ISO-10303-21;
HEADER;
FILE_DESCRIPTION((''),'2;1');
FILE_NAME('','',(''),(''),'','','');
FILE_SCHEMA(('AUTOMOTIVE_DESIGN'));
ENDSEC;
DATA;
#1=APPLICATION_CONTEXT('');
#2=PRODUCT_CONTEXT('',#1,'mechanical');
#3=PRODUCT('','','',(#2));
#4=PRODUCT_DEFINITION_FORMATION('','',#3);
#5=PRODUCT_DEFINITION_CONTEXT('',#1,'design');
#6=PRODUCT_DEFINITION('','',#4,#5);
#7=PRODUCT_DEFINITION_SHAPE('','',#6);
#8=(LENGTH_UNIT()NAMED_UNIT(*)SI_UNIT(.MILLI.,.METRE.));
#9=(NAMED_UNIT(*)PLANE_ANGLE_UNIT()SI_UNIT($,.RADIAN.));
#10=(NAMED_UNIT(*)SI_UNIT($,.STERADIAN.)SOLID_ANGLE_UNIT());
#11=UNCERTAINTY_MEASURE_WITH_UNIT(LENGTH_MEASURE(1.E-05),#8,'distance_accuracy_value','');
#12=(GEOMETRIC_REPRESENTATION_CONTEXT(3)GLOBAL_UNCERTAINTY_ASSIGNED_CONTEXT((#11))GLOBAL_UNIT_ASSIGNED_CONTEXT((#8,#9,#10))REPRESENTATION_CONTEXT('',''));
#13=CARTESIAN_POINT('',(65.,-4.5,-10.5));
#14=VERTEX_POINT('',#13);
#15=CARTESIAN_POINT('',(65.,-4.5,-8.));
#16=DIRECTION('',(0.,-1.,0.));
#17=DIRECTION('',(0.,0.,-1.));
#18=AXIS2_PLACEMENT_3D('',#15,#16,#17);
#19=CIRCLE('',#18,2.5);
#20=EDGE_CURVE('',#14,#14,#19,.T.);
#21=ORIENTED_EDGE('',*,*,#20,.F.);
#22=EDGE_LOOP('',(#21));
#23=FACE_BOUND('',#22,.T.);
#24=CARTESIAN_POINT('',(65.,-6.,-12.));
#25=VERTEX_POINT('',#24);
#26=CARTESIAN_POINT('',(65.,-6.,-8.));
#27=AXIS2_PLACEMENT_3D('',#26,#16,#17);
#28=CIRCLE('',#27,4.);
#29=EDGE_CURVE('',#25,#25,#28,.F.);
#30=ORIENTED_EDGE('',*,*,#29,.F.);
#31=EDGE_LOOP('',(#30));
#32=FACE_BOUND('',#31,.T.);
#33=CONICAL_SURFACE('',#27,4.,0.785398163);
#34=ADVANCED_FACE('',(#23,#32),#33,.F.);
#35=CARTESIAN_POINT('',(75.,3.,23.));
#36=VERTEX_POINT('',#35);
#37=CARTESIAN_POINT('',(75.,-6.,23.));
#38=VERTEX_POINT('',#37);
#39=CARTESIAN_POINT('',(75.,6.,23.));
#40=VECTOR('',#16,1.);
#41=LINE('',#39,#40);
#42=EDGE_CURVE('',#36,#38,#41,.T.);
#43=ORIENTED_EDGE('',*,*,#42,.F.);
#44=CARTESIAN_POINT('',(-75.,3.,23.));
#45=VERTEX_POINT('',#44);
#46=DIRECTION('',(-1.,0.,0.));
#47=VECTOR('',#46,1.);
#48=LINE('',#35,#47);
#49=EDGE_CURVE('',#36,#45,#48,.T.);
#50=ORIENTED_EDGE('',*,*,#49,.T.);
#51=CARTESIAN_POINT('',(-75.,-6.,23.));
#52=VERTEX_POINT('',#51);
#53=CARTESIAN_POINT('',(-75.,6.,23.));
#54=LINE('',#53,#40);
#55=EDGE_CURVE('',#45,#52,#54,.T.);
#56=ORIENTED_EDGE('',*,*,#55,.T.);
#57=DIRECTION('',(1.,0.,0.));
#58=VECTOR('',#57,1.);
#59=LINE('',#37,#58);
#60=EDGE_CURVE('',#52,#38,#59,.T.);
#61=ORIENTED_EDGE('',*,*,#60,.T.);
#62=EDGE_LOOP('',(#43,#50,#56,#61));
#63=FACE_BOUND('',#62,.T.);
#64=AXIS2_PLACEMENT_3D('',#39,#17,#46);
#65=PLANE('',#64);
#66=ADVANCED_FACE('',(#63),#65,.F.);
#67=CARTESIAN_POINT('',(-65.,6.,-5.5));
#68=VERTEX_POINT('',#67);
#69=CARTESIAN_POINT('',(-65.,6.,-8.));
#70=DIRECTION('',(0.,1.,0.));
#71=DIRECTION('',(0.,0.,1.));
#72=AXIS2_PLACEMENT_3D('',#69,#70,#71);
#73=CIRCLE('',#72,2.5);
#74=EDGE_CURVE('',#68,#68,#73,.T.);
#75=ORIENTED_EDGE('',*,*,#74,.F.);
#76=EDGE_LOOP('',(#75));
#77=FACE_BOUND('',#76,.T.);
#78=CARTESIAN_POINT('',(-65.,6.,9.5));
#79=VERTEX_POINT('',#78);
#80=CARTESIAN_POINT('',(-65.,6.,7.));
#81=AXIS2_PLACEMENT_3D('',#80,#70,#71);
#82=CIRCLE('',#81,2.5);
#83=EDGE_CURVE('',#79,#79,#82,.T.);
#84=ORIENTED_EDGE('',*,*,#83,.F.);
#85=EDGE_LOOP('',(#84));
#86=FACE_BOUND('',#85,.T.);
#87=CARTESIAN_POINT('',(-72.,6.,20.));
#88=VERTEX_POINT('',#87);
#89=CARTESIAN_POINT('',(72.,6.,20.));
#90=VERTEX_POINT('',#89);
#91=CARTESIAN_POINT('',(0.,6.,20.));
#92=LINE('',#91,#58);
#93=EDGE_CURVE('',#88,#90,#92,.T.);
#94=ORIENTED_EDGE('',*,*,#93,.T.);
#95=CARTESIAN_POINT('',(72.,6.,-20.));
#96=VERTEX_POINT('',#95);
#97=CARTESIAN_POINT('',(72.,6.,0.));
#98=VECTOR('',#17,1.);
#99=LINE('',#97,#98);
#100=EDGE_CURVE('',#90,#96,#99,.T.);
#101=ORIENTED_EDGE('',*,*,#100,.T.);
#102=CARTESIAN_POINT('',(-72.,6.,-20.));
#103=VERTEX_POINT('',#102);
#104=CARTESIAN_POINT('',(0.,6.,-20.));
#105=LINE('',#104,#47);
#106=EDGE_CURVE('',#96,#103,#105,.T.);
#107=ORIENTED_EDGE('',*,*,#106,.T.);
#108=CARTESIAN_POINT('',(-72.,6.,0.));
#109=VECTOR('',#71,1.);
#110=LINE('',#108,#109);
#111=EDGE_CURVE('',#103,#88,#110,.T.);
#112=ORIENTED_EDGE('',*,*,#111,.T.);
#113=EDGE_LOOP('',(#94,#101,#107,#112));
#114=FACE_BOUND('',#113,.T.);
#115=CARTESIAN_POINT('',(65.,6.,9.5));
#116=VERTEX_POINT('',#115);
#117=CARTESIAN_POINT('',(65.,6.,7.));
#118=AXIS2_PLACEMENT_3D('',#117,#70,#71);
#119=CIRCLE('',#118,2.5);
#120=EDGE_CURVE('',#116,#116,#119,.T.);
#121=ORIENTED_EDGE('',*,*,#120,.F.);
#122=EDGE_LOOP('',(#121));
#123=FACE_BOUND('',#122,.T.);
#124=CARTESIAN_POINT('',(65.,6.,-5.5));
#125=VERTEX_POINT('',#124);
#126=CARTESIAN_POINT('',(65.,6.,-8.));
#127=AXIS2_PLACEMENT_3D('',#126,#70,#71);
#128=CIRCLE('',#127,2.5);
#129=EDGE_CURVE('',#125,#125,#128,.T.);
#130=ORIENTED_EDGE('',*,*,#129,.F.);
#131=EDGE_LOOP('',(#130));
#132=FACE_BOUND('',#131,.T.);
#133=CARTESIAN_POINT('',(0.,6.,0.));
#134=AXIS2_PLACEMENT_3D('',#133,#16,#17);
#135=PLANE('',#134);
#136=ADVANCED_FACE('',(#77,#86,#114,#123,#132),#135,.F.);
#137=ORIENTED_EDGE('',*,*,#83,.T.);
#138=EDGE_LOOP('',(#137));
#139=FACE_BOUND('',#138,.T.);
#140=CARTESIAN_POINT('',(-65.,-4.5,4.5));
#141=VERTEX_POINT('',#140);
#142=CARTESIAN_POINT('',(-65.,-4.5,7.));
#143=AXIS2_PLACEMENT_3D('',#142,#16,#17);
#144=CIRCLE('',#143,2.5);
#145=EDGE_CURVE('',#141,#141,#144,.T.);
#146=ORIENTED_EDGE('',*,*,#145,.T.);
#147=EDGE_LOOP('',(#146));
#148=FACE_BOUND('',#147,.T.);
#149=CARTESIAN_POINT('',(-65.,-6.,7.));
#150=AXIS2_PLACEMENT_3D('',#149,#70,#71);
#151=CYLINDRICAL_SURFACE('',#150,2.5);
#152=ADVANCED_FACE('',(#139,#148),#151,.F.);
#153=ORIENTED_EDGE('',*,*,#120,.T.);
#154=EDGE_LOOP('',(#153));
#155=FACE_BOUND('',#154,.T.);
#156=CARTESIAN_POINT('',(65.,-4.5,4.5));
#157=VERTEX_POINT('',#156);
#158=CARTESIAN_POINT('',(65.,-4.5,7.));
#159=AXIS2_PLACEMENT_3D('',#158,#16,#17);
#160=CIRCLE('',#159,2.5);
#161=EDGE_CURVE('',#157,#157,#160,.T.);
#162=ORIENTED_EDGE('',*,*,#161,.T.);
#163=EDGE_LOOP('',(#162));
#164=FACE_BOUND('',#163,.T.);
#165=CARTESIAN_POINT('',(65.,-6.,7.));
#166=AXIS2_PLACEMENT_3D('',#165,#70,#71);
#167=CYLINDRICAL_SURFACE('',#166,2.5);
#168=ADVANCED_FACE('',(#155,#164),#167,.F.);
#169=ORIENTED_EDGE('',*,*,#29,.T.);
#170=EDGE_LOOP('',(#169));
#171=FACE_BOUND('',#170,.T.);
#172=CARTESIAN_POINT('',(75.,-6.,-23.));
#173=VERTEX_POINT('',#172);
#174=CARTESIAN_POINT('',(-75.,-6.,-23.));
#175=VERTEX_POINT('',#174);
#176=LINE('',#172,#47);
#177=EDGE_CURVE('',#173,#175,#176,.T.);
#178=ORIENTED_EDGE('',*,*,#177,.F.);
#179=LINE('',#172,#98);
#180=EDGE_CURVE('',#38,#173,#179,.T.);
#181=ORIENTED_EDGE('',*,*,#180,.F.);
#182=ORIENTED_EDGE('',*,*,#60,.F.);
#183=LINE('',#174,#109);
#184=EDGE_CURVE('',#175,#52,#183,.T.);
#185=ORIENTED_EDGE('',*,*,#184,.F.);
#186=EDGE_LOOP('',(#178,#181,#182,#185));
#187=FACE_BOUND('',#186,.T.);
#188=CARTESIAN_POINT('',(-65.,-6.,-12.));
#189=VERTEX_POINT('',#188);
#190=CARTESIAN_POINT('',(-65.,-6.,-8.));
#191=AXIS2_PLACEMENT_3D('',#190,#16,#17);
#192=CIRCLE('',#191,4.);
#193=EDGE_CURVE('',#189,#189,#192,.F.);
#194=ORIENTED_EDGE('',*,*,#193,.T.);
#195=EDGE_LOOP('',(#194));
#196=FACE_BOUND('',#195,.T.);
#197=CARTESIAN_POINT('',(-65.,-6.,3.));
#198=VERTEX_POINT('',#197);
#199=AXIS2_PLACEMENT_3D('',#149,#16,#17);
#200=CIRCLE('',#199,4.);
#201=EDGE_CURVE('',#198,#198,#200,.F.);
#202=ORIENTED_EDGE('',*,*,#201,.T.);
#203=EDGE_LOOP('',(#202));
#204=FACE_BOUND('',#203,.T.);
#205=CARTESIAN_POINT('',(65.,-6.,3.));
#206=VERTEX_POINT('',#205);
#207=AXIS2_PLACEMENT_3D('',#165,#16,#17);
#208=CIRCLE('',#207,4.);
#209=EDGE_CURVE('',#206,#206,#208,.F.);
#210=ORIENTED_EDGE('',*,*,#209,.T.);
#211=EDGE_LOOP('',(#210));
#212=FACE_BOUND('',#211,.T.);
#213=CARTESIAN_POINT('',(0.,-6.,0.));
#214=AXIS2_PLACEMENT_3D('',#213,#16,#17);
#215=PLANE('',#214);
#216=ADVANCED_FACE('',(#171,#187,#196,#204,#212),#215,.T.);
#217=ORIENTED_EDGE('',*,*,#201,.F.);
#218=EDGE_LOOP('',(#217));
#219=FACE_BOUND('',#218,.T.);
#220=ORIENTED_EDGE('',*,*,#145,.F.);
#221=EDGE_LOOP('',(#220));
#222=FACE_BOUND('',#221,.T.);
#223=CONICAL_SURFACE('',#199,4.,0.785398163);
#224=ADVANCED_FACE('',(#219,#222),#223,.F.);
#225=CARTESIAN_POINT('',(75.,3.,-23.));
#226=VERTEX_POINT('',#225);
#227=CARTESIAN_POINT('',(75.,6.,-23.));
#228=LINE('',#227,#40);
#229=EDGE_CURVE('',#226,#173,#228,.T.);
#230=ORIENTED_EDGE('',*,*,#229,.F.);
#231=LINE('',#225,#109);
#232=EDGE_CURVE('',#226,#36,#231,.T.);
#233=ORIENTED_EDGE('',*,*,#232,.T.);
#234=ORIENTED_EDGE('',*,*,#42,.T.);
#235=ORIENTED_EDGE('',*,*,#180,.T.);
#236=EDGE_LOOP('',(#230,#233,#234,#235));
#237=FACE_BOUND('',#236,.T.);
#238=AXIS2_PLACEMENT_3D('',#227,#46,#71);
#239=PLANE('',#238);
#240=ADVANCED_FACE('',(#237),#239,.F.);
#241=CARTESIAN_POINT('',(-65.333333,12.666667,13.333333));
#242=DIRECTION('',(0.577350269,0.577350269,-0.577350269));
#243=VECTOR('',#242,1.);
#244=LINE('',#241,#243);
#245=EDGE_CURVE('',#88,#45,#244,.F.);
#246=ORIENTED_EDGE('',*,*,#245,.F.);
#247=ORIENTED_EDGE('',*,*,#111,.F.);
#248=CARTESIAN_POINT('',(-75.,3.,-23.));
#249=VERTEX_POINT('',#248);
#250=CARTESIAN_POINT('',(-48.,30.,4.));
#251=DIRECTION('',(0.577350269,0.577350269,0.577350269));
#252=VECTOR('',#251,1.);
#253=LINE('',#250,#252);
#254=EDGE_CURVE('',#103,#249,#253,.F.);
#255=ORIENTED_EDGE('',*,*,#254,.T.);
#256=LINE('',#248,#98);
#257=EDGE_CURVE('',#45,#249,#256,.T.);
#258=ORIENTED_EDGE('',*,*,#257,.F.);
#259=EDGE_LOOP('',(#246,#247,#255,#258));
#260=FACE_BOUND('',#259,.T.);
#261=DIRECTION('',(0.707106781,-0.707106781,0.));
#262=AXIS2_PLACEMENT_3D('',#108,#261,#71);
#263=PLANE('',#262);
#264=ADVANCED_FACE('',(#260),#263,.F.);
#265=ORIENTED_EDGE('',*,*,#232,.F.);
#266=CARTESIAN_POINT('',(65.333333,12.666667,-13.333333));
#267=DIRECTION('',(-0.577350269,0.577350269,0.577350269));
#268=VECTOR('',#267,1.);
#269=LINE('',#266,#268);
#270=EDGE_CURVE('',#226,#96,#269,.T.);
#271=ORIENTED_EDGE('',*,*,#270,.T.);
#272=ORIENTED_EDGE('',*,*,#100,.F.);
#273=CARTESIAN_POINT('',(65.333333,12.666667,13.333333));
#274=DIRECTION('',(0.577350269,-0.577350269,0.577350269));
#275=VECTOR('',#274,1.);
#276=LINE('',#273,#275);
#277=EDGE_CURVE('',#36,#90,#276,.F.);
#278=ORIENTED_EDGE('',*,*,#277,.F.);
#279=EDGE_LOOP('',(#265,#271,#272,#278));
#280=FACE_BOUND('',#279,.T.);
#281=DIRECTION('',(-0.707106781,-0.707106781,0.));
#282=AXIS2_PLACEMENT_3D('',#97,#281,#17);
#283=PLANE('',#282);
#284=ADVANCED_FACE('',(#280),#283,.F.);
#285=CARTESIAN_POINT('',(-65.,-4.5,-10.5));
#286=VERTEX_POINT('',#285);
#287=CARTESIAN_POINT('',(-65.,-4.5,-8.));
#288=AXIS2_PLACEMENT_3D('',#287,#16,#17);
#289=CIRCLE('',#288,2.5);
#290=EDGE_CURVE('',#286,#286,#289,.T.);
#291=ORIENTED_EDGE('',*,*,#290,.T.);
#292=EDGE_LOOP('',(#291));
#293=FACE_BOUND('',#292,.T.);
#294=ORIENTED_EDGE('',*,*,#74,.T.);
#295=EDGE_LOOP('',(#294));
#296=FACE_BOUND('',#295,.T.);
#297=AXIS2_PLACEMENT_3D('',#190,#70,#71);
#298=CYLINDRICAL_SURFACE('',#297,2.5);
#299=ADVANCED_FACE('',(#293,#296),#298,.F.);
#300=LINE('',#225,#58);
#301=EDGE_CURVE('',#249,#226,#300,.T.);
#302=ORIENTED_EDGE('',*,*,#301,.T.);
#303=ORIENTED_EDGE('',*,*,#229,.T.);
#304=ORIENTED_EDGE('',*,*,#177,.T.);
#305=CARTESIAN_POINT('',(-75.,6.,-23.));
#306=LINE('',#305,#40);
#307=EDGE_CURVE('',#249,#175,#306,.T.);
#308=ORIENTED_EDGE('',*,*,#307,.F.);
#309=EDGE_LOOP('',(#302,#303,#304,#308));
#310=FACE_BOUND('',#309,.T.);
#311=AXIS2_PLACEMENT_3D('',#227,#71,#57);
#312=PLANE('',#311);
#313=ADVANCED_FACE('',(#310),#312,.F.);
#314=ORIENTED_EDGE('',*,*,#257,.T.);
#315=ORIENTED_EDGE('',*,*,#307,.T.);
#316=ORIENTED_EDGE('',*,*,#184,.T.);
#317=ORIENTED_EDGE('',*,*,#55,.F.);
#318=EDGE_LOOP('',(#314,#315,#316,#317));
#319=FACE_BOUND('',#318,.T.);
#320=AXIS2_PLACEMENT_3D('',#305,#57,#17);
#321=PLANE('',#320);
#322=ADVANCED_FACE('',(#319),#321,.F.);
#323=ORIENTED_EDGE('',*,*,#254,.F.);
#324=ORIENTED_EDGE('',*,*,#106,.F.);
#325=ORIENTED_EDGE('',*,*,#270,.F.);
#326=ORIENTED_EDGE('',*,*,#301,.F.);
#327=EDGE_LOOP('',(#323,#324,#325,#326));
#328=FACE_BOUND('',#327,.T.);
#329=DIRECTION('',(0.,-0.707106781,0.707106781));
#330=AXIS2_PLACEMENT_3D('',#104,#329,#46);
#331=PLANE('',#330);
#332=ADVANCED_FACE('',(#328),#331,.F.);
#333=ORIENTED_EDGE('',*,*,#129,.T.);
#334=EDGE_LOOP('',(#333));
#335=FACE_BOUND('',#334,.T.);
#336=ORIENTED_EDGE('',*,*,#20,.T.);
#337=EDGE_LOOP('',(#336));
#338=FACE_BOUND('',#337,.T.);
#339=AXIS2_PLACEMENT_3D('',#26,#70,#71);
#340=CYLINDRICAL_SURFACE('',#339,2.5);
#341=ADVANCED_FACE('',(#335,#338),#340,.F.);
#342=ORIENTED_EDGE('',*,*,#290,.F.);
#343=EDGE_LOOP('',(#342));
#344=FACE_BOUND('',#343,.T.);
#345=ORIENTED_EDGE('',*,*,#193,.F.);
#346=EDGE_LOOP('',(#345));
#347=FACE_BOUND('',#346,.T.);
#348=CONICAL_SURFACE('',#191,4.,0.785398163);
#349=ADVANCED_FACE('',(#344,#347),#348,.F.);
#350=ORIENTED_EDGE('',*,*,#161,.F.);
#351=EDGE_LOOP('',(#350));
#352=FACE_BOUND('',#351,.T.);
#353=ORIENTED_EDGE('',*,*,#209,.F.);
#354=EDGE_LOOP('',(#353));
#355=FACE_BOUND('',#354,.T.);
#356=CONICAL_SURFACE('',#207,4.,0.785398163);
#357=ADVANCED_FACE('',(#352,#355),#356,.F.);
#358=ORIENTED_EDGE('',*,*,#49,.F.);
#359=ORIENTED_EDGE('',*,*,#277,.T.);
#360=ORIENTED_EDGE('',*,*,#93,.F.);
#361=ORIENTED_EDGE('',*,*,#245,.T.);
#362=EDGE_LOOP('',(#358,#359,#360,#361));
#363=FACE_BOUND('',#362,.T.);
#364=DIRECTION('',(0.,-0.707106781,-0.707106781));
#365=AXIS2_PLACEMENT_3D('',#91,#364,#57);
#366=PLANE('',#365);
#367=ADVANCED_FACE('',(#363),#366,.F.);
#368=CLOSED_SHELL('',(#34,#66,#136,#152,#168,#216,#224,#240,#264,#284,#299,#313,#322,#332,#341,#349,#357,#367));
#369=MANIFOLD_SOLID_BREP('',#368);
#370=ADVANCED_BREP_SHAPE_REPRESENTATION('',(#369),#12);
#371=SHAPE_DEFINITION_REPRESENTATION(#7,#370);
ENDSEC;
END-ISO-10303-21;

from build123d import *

# Parameters (mm, degrees)
SKETCH2_W           = 150
SKETCH2_H           = 46
BOSS_EXTRUDE1_DEPTH = 6
CHAMFER2_SIZE       = 3
SKETCH3_R           = 2.5
CUT_EXTRUDE1_DEPTH  = 80.359939516
CHAMFER3_SIZE       = 1.5


with BuildPart() as part:
    # Sketch2 → Boss-Extrude1 (new, symmetric)
    with BuildSketch(Plane(origin=(0, 0, 0), x_dir=(1, 0, 0), z_dir=(0, 1, 0))):
        Rectangle(SKETCH2_W, SKETCH2_H)
    extrude(amount=BOSS_EXTRUDE1_DEPTH, both=True)

    # Chamfer2
    chamfer2_edges = [part.edges().sort_by_distance(p)[0] for p in [
        (-75, 6, 0),
        (0, 6, 23),
        (75, 6, 0),
        (0, 6, -23),
    ]]
    chamfer(chamfer2_edges, length=CHAMFER2_SIZE)

    # Sketch3 → Cut-Extrude1 (cut, through all)
    with BuildSketch(Plane(origin=(0, 6, 0), x_dir=(1, 0, 0), z_dir=(0, 1, 0))):
        with Locations(Location((-65, 8, 0), (0, 0, 270))):
            Circle(SKETCH3_R)
        with Locations(Location((-65, -7, 0), (0, 0, 270))):
            Circle(SKETCH3_R)
        with Locations(Location((65, 8, 0), (0, 0, 270))):
            Circle(SKETCH3_R)
        with Locations(Location((65, -7, 0), (0, 0, 270))):
            Circle(SKETCH3_R)
    extrude(amount=-CUT_EXTRUDE1_DEPTH, mode=Mode.SUBTRACT)

    # Chamfer3
    chamfer3_edges = [part.edges().sort_by_distance(p)[0] for p in [
        (-65, -6, 4.5),
        (65, -6, -10.5),
        (65, -6, 4.5),
        (-65, -6, -10.5),
    ]]
    chamfer(chamfer3_edges, length=CHAMFER3_SIZE)


solid = part.part
